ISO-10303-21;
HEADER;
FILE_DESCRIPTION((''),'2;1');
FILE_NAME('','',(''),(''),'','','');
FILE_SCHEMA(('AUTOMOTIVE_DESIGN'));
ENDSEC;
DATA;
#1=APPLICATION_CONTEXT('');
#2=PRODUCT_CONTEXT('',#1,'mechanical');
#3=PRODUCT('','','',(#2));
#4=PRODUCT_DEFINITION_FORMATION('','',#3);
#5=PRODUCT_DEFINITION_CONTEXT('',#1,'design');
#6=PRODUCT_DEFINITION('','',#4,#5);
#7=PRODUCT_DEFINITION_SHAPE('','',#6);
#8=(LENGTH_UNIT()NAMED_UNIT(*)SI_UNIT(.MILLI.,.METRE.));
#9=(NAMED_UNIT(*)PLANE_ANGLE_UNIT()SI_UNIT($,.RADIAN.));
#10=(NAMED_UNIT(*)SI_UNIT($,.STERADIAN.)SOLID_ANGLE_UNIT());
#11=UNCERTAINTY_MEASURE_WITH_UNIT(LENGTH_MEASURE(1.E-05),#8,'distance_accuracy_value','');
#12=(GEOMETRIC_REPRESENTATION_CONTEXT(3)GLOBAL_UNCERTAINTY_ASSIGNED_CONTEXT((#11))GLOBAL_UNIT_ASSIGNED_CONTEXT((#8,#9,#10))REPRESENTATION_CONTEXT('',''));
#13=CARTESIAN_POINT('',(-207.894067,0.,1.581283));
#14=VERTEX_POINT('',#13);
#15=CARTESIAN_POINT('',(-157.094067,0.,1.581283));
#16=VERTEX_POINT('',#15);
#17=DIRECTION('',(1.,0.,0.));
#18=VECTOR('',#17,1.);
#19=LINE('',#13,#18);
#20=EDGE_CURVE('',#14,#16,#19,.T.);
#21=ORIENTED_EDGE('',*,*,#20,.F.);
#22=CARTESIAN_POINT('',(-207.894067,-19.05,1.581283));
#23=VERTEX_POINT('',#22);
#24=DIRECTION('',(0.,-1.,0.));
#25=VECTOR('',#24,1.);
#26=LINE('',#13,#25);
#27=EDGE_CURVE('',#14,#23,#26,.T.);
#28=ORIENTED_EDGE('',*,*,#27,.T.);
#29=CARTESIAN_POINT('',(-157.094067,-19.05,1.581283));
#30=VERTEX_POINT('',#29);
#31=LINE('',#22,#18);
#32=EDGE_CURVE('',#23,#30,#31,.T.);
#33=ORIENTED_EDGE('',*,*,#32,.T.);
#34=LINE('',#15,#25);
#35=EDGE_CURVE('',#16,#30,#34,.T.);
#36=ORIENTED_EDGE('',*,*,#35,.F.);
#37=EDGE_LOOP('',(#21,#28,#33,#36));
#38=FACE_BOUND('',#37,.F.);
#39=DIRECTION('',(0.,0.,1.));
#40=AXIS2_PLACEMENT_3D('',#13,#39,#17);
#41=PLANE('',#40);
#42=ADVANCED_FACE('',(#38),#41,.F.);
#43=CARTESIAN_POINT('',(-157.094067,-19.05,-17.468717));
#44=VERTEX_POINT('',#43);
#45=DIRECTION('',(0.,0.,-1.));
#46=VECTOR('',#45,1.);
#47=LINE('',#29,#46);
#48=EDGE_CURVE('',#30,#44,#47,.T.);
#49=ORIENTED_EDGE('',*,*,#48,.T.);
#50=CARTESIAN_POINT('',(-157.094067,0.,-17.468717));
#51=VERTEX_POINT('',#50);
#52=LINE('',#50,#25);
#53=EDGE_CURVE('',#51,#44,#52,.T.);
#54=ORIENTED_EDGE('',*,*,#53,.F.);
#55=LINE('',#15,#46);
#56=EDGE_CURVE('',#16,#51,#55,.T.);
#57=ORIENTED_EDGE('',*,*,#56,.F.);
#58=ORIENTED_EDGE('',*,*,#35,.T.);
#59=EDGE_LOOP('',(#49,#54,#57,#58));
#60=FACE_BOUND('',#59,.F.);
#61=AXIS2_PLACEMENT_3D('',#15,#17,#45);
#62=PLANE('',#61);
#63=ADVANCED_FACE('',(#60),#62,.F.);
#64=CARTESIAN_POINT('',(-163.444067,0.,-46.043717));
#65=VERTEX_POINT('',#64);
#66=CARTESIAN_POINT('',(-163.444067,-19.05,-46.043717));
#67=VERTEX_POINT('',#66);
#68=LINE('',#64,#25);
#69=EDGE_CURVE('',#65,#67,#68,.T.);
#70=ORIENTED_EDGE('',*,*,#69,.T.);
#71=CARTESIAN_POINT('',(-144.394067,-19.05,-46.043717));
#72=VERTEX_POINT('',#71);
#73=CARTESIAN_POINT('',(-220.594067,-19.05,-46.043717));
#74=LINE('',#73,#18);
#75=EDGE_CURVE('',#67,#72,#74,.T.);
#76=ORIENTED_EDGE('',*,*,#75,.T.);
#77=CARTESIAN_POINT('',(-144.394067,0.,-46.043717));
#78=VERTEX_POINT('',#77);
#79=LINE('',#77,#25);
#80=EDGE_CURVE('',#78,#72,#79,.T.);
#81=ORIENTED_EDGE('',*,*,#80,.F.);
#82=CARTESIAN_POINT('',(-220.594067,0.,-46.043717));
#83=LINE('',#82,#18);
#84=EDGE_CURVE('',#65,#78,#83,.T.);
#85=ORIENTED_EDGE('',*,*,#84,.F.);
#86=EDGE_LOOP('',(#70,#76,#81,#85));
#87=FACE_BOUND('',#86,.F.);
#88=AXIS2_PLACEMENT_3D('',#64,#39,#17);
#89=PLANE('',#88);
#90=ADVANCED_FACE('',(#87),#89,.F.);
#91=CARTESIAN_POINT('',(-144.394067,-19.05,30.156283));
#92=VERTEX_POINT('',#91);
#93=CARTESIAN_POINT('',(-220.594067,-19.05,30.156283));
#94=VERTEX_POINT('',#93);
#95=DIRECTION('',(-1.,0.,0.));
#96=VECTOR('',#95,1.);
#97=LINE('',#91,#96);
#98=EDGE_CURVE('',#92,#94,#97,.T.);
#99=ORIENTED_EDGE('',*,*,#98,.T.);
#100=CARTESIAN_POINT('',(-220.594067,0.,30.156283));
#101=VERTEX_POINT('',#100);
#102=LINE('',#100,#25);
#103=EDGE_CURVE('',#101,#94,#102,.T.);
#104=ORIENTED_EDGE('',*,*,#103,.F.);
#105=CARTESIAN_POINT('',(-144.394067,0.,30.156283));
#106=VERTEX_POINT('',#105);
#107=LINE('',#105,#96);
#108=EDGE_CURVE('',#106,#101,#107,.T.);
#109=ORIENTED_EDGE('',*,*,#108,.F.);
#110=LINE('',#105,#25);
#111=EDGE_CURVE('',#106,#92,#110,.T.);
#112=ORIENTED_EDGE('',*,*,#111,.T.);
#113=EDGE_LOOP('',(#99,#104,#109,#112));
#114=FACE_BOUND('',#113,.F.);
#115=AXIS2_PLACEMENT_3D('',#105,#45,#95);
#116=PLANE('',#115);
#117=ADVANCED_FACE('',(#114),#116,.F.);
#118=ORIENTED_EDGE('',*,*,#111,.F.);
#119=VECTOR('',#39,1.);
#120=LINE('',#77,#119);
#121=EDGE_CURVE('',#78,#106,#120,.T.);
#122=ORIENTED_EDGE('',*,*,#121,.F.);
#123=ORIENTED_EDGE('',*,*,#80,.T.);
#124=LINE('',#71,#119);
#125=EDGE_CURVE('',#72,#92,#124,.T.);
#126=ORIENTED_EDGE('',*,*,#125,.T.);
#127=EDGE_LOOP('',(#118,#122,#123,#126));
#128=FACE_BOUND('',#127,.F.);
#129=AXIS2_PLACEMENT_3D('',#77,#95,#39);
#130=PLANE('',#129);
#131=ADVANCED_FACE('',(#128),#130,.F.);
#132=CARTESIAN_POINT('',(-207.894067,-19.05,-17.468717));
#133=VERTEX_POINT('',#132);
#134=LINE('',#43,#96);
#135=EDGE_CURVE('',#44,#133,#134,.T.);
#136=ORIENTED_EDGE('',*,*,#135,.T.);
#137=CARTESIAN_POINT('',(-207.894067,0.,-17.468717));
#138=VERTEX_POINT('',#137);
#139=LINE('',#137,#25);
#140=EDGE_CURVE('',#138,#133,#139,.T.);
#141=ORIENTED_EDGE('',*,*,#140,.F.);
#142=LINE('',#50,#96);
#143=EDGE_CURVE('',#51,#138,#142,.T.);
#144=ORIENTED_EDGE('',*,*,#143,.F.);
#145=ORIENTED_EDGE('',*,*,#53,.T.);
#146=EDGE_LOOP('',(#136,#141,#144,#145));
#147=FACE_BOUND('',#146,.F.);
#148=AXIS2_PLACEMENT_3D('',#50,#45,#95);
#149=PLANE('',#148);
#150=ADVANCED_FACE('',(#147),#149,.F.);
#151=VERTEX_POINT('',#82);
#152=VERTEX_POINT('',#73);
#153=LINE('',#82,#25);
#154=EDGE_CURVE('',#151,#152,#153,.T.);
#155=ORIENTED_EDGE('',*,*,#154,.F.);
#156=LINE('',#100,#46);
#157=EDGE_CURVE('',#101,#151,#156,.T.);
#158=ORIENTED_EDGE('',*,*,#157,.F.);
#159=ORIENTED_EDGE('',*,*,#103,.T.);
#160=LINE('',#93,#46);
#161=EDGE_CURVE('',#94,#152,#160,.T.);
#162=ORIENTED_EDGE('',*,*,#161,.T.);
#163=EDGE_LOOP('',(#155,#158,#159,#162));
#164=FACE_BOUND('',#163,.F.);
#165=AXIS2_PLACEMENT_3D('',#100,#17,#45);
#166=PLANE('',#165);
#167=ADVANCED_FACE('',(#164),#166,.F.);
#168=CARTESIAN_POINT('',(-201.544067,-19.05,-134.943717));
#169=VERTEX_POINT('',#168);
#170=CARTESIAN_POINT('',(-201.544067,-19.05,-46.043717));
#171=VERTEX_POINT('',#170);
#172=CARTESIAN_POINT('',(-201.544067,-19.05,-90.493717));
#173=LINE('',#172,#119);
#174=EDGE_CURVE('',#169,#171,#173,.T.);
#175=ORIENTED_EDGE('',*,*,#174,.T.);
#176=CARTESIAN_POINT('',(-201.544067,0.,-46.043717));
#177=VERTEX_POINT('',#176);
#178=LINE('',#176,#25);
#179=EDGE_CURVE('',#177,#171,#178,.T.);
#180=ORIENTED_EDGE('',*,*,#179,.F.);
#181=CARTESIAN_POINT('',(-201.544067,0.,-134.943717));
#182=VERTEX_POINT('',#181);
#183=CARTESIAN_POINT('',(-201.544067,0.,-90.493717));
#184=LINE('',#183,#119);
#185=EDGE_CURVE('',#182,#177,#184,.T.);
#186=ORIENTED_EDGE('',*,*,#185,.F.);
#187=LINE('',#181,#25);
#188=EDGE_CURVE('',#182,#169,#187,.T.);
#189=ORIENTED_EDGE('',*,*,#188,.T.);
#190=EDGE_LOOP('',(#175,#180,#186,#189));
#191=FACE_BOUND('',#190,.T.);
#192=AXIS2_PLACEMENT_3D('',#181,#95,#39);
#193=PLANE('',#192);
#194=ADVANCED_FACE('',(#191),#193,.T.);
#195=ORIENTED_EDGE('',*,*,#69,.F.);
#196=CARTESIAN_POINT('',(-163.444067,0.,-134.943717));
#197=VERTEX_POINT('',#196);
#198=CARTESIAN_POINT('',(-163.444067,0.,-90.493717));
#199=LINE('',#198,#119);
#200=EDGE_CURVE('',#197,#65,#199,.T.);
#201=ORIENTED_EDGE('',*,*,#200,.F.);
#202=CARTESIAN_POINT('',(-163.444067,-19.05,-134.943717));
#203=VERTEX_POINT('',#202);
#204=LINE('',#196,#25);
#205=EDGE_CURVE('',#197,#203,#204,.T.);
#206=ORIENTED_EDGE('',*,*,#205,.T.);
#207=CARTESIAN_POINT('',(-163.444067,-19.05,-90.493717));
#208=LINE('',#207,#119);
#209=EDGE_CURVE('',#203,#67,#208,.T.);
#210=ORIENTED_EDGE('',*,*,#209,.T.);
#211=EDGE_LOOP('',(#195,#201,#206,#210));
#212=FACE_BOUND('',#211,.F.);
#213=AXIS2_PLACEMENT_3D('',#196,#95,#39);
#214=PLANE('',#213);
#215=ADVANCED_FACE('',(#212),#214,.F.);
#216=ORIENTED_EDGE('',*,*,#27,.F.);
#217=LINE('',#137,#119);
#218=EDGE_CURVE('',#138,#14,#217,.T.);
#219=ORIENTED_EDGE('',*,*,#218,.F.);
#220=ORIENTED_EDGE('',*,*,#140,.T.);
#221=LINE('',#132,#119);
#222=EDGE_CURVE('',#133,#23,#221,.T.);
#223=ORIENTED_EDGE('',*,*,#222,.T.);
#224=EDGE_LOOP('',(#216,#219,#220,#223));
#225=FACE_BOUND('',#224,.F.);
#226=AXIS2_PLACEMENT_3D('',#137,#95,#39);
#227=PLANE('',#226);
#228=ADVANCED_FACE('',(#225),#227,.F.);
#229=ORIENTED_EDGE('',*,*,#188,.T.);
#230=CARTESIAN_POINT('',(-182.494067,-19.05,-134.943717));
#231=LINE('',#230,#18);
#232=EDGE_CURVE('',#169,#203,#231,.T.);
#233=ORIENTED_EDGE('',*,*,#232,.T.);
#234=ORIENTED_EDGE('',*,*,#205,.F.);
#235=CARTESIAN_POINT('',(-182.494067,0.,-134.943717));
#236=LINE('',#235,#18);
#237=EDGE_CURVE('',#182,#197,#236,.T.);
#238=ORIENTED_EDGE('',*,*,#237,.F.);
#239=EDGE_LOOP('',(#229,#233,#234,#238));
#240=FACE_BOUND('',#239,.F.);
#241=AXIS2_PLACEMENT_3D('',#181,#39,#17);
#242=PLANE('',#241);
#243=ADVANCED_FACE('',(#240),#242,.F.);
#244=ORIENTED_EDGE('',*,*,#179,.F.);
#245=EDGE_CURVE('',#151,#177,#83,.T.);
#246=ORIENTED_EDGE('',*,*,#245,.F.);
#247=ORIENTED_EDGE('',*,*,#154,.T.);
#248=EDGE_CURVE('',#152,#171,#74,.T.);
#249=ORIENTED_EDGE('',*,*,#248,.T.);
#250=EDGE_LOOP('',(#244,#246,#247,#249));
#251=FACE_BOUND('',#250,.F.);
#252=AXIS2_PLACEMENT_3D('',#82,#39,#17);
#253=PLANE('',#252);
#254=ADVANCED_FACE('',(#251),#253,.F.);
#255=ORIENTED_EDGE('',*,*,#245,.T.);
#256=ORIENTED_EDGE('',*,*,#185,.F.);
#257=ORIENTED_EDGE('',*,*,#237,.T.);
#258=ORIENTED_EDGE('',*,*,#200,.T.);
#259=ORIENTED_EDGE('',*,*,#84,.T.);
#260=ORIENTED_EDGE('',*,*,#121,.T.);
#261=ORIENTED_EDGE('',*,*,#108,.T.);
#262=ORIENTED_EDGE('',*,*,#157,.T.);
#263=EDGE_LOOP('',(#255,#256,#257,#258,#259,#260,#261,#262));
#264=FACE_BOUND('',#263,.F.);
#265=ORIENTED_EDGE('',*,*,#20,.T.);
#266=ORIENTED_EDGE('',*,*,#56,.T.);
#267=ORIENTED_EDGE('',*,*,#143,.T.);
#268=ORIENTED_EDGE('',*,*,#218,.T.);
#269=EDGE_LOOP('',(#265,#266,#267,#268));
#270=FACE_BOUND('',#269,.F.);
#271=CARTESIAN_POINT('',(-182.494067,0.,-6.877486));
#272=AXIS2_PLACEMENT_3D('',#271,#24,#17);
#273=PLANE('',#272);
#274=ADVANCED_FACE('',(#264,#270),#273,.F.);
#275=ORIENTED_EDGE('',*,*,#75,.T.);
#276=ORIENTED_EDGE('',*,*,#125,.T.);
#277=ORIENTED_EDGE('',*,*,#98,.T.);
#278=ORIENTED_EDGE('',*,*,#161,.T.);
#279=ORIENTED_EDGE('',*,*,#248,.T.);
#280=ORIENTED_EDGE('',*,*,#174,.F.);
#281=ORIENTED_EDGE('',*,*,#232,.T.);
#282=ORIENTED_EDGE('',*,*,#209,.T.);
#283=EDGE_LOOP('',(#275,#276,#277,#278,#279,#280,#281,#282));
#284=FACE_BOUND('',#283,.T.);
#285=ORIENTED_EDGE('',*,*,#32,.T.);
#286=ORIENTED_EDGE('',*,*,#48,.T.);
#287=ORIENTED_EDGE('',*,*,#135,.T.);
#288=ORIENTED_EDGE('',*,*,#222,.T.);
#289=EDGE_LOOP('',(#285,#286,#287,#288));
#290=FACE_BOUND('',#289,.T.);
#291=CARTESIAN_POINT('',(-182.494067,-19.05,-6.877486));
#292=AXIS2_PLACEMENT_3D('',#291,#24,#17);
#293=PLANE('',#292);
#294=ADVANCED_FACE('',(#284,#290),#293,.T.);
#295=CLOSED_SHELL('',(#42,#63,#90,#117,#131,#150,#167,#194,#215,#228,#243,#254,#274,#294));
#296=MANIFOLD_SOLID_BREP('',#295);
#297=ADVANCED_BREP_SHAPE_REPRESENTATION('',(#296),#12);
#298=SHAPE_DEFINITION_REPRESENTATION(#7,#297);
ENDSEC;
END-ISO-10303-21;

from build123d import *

# Parameters (mm, degrees)
F0_W     = 38.1
F0_H     = 28.575
F0_H_2   = 88.9
F1_DEPTH = 19.05


with BuildPart() as f1:
    # F0 (on Front) → F1 (new body)
    with BuildSketch(Plane.XZ):
        Polygon((-201.5440666556, -46.0437171084), (-201.5440666556, -17.4687171084), (-207.8940666556, -17.4687171084), (-207.8940666556, 1.5812828916), (-157.0940666556, 1.5812828916), (-157.0940666556, -17.4687171084), (-163.4440666556, -17.4687171084), (-163.4440666556, -46.0437171084), (-144.3940666556, -46.0437171084), (-144.3940666556, 30.1562828916), (-220.5940666556, 30.1562828916), (-220.5940666556, -46.0437171084), align=None)
        with Locations((-182.4940666556, -31.7562171084)):
            Rectangle(F0_W, F0_H)
        with Locations((-182.4940666556, -90.4937171084)):
            Rectangle(F0_W, F0_H_2)
    extrude(amount=F1_DEPTH)


solid = f1.part
